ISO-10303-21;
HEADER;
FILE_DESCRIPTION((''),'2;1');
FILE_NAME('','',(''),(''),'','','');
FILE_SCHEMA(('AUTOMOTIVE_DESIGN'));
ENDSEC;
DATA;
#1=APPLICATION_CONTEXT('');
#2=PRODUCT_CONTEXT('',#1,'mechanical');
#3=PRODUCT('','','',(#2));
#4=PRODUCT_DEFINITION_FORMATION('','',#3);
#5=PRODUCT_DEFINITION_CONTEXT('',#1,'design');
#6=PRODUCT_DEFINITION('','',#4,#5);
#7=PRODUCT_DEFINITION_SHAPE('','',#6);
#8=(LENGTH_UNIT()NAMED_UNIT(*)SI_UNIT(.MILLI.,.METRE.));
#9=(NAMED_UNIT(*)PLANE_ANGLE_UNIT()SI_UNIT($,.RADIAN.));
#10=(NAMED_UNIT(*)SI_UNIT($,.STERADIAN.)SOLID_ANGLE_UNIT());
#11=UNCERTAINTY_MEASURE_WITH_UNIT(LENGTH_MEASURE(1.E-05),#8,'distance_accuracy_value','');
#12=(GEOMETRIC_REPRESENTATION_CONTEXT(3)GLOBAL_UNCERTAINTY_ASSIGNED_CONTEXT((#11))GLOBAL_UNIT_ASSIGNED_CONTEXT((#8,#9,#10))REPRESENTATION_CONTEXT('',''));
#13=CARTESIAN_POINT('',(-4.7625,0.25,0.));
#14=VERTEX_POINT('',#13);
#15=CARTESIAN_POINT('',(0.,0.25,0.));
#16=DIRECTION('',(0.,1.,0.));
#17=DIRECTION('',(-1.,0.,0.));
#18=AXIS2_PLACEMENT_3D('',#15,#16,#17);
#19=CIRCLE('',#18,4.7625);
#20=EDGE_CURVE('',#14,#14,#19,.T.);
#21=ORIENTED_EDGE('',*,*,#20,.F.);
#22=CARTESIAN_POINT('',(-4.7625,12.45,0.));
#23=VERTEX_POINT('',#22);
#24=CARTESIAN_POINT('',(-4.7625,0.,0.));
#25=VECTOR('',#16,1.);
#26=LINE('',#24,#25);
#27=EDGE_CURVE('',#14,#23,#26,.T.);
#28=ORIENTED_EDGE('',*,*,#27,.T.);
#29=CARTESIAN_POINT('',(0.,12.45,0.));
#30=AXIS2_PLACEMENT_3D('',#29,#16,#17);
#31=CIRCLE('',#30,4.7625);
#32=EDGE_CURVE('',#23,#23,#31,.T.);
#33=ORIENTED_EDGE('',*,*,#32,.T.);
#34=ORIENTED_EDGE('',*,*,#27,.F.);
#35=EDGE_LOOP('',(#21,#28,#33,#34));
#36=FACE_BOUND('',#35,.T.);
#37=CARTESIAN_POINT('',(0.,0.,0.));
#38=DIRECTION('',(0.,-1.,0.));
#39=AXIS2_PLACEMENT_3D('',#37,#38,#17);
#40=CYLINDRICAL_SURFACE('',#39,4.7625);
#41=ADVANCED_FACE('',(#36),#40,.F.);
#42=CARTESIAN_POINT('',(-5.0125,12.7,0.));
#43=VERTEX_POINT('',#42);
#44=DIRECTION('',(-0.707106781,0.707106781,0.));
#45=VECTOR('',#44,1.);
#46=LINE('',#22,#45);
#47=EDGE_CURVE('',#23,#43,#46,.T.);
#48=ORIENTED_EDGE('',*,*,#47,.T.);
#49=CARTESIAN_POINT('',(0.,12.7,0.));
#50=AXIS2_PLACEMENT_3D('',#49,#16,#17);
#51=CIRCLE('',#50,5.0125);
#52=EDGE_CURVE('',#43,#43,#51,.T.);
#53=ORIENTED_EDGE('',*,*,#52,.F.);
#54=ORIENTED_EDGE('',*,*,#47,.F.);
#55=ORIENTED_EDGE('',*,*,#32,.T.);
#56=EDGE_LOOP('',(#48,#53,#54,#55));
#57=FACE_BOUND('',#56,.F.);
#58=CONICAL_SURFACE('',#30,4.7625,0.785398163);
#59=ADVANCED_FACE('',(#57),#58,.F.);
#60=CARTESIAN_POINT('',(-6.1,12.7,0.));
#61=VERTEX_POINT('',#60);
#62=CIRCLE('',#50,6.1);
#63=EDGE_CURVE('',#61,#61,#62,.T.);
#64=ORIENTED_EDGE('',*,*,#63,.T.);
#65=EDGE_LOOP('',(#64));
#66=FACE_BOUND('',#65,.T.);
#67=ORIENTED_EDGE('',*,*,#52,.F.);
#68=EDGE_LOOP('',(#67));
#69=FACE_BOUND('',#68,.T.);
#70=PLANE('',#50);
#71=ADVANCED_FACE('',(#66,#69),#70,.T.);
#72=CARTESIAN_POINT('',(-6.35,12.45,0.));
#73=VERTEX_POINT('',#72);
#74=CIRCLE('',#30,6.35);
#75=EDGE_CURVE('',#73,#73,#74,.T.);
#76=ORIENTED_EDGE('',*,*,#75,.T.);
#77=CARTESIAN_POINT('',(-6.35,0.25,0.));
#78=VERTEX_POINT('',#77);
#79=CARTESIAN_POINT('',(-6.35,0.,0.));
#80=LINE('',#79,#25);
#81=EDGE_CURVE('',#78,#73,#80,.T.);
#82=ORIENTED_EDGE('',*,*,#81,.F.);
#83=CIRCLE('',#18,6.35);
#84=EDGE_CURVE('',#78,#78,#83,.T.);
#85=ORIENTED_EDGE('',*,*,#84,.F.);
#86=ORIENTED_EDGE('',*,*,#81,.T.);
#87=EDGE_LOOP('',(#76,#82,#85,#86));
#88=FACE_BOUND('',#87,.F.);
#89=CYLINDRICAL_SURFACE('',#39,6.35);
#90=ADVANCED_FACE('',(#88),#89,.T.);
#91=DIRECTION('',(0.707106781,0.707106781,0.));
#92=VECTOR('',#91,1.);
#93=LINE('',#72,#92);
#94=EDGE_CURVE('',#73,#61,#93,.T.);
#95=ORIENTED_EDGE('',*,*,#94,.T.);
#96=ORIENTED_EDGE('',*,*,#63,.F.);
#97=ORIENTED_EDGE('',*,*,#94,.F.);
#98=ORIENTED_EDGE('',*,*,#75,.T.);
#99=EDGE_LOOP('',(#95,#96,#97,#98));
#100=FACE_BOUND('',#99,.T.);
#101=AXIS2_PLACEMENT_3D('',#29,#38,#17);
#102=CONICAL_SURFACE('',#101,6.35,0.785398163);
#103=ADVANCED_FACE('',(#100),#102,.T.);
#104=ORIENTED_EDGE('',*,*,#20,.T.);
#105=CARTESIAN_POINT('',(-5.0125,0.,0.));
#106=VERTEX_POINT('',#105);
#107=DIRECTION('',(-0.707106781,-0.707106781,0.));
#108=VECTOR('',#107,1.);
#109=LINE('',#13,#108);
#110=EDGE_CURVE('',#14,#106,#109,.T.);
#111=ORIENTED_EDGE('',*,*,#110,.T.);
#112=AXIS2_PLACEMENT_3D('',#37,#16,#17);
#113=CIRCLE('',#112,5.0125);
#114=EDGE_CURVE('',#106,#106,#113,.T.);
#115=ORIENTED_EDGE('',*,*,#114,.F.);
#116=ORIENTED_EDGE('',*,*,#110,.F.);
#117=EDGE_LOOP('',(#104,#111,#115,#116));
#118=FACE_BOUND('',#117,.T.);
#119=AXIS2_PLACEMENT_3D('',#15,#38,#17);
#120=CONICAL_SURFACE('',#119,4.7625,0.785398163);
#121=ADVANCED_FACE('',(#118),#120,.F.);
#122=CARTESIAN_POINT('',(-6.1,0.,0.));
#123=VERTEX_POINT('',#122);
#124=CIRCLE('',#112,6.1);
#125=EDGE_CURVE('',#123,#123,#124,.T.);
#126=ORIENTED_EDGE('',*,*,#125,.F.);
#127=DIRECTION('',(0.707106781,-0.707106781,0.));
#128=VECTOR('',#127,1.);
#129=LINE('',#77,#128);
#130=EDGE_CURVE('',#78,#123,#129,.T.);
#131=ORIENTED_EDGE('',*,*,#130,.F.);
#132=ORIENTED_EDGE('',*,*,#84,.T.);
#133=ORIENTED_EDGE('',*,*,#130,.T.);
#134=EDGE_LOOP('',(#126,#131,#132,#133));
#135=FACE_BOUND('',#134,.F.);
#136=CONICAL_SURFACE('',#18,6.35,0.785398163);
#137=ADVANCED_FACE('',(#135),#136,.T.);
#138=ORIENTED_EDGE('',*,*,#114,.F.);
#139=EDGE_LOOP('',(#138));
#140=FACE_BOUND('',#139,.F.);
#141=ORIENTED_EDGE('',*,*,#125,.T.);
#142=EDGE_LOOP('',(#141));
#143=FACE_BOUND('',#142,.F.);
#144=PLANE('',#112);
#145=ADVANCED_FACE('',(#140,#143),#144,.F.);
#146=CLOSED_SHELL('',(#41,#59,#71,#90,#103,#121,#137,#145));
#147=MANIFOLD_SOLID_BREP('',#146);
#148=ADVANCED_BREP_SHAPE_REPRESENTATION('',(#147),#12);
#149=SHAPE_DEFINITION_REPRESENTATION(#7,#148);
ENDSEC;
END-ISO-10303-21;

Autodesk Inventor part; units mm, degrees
ref_plane "YZ Plane" through (0, 0, 0) normal (1, 0, 0) x (0, 1, 0)
ref_plane "XZ Plane" through (0, 0, 0) normal (0, 1, 0) x (-1, 0, 0)
ref_plane "XY Plane" through (0, 0, 0) normal (0, 0, 1) x (1, 0, 0)
sketch "Sketch1" plane through (0, 0, 0) normal (0, 1, 0) x (-1, 0, 0)
  circle A0 centre (0, 0) radius 6.35
  circle A1 centre (0, 0) radius 4.7625
  dimension "d0" = 12.7
  dimension "d1" = 9.525
extrude "Extrusion1" add sketch "Sketch1" along normal blind 12.7
chamfer "Chamfer1" distance 0.25 angle 45 4 edges at (6.35, 0, 0) (4.7625, 0, 0) (6.35, 12.7, 0) (4.7625, 12.7, 0)
properties part number "Brass Bushing" material "Brass, Soft Yellow"
